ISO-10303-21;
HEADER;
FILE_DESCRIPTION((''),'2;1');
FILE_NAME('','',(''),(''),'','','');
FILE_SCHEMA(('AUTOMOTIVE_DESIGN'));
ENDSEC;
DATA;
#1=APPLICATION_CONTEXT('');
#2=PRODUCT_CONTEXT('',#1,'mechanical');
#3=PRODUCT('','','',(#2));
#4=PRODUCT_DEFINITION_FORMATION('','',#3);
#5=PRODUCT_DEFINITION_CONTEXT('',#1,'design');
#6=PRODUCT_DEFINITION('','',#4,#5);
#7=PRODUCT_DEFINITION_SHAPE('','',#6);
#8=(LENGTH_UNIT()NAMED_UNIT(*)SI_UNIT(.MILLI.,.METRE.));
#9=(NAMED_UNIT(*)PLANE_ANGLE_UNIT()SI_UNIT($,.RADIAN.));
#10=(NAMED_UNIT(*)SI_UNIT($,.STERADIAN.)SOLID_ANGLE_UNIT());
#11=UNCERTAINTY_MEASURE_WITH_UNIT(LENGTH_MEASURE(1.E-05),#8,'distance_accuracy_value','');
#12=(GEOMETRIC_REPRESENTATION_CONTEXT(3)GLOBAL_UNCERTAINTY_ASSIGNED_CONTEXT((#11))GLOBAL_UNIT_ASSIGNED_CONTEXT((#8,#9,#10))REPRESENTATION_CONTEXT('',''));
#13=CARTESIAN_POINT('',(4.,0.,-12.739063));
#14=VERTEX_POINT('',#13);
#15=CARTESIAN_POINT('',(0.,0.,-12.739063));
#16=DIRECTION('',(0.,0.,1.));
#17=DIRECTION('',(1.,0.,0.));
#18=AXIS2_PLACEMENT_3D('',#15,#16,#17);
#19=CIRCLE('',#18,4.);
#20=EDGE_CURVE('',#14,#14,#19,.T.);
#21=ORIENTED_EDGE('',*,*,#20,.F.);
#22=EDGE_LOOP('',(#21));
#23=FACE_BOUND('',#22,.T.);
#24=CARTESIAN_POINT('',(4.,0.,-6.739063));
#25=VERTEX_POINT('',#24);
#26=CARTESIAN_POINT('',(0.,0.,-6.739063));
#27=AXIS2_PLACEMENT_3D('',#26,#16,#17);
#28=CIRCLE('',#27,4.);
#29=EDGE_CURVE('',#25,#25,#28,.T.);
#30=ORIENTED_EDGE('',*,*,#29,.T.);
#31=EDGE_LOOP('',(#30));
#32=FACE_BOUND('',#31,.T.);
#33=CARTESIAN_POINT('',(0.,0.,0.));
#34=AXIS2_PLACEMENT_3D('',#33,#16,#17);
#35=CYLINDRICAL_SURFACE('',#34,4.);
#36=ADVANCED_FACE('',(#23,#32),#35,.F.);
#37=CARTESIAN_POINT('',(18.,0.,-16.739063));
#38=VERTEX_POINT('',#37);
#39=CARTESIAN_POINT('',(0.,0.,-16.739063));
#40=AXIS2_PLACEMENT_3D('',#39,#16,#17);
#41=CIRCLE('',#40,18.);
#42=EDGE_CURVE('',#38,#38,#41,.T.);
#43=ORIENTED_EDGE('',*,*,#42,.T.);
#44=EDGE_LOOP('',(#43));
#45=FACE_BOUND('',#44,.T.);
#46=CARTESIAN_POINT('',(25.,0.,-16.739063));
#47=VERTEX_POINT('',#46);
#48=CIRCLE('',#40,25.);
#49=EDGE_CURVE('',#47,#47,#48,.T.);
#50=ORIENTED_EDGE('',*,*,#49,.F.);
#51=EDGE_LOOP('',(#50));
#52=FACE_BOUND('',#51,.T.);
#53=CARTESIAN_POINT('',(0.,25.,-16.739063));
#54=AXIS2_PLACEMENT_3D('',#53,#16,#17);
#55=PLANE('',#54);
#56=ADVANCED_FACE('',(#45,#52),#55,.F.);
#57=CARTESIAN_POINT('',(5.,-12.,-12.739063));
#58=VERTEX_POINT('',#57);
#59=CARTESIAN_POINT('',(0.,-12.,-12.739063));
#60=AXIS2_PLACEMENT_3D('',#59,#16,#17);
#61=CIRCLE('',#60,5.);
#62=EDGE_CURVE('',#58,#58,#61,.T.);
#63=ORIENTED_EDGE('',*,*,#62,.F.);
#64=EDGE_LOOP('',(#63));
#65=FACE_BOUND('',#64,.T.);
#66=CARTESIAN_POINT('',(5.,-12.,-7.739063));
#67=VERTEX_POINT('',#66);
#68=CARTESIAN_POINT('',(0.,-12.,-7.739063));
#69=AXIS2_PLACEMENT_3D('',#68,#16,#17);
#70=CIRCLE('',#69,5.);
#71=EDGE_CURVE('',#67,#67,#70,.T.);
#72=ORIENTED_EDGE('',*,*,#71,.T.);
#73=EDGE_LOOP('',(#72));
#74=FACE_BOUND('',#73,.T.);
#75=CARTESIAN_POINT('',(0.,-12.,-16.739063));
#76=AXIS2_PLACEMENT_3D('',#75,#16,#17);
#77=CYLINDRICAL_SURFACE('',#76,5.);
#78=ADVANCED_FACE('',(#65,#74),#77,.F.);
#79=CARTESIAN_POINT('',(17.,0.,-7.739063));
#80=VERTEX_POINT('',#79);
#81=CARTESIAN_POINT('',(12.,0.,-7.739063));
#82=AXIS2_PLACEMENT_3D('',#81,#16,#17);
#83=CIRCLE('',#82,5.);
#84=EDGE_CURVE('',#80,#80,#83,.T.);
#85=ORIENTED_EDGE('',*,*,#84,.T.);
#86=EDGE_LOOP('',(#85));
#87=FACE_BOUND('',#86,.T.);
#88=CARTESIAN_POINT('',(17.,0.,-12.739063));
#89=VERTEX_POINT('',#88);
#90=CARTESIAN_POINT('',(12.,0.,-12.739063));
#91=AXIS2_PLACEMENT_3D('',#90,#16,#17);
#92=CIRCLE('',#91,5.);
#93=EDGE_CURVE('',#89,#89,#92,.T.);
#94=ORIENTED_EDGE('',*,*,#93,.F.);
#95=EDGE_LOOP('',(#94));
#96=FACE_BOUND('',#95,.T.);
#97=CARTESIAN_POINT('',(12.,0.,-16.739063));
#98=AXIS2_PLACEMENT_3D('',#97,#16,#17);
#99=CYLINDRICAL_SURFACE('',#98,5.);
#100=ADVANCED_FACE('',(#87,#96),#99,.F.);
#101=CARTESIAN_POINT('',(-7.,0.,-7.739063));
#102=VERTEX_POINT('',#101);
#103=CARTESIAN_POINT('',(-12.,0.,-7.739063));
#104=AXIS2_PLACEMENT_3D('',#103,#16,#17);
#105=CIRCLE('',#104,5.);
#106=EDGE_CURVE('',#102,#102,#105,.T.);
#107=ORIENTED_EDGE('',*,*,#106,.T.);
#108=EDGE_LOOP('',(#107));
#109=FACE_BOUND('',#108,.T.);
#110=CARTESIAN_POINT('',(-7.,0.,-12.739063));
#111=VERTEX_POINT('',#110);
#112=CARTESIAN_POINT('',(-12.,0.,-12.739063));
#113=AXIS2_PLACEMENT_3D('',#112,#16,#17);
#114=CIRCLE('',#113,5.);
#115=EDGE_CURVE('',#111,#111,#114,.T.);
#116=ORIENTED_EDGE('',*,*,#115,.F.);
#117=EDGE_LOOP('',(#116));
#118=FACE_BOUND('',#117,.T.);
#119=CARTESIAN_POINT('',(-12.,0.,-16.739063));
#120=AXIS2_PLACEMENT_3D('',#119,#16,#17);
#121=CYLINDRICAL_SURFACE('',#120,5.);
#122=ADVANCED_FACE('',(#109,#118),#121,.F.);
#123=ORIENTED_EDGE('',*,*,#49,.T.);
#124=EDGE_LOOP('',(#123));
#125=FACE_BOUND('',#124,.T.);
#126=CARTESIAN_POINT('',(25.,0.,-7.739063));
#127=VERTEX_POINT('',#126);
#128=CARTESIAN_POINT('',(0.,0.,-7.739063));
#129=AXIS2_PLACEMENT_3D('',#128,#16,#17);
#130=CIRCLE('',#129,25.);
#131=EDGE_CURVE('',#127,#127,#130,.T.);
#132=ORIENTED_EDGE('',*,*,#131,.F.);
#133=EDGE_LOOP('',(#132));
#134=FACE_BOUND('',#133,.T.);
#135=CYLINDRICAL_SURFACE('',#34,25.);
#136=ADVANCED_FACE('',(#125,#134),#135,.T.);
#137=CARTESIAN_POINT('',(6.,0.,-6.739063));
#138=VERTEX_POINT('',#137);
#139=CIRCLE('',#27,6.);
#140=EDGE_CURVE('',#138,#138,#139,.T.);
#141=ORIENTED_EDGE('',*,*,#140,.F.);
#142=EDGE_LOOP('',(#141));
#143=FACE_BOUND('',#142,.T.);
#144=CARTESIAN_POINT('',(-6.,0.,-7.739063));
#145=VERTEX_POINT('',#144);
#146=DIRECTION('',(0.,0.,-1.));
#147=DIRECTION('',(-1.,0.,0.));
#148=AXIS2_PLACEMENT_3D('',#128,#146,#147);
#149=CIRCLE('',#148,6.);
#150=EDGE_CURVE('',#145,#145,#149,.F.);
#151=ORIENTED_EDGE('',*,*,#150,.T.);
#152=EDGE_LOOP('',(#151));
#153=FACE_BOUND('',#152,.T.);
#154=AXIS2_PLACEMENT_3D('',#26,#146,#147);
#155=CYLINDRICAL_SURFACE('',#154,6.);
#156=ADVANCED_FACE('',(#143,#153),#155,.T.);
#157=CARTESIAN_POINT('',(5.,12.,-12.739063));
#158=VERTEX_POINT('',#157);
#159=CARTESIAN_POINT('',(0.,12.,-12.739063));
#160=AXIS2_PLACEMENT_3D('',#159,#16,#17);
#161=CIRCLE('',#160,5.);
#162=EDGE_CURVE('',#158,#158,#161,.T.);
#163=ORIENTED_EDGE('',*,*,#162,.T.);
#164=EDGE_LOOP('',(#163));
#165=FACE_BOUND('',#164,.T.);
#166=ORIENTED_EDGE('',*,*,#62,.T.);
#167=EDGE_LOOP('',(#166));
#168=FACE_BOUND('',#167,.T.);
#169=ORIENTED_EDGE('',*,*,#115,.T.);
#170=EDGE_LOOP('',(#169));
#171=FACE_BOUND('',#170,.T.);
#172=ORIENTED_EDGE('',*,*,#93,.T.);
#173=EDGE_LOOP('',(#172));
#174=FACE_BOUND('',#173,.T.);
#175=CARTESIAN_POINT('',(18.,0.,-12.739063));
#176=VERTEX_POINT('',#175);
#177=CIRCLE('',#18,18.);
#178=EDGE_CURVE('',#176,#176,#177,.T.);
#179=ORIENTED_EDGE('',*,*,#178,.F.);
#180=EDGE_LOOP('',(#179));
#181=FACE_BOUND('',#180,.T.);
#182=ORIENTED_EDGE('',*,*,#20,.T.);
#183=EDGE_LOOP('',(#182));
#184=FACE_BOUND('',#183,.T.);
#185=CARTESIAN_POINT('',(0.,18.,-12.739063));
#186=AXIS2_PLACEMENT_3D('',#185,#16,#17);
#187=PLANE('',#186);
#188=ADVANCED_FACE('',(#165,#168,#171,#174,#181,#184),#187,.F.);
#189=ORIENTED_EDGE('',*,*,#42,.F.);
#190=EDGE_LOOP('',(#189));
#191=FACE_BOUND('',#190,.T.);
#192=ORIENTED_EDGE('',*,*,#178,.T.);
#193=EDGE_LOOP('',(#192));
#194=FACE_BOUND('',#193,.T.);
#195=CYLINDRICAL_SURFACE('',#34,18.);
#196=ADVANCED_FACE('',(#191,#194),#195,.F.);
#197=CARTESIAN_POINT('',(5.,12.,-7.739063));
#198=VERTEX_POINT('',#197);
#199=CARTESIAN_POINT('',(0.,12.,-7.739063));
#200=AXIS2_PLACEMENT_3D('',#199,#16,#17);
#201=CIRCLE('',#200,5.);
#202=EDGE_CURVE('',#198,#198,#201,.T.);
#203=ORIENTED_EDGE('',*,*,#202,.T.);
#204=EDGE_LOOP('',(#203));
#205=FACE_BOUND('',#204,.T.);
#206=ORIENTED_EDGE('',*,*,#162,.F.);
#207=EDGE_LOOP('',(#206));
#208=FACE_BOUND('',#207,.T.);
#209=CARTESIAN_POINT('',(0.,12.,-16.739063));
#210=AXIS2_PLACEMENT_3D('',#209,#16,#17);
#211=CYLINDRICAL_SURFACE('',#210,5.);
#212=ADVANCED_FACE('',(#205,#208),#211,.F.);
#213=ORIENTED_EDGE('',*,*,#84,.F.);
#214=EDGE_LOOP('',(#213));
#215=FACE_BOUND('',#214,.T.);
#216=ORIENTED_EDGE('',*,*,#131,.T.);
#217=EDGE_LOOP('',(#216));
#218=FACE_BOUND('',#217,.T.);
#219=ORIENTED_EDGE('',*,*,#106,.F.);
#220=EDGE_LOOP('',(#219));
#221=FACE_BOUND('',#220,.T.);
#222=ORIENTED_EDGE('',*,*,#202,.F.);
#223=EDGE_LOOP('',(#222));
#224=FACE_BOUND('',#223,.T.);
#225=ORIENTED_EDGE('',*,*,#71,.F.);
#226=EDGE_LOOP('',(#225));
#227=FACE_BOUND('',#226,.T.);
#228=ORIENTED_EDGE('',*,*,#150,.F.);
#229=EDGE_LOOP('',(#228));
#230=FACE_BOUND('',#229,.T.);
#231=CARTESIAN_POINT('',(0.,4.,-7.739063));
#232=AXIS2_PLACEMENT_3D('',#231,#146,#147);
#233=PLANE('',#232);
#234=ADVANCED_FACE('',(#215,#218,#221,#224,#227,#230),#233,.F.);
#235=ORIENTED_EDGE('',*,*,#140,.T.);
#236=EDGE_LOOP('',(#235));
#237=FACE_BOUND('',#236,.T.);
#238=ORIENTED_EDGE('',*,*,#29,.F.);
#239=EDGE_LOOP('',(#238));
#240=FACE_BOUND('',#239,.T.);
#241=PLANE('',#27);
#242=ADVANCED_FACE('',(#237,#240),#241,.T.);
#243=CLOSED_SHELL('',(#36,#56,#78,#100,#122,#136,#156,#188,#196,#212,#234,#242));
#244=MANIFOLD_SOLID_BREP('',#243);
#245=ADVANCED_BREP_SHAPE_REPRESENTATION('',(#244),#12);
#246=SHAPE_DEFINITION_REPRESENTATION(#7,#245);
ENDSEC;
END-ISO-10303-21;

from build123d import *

# Parameters (mm, degrees)
SKETCH_2_R          = 5
CUT_EXTRUDE_1_DEPTH = 10
SKETCH_3_R          = 6
SKETCH_3_R_2        = 4
EXTRUDE_1_DEPTH     = 1


with BuildPart() as part:
    # Эскиз1 → Повернуть1 (revolve)
    with BuildSketch(Plane(origin=(0, 0, 0), x_dir=(0, 0, -1), z_dir=(1, 0, 0))):
        Polygon((7.739063178, 4), (7.739063178, 25), (16.739063178, 25), (16.739063178, 18), (12.739063178, 18), (12.739063178, 4), align=None)
    revolve(axis=Axis((0, 0, 0), (0, 0, -1)))

    # Эскиз2 → Вырез-Вытянуть1 (cut, through all)
    with BuildSketch(Plane.XY.offset(-7.739063178)):
        with Locations((0, 12)):
            Circle(SKETCH_2_R)
        with Locations((12, 0)):
            Circle(SKETCH_2_R)
        with Locations((0, -12)):
            Circle(SKETCH_2_R)
        with Locations((-12, 0)):
            Circle(SKETCH_2_R)
    extrude(amount=-CUT_EXTRUDE_1_DEPTH, mode=Mode.SUBTRACT)

    # Эскиз3 → Бобышка-Вытянуть1 (add)
    with BuildSketch(Plane.XY.offset(-7.739063178)):
        Circle(SKETCH_3_R)
        Circle(SKETCH_3_R_2, mode=Mode.SUBTRACT)
    extrude(amount=EXTRUDE_1_DEPTH)


solid = part.part
